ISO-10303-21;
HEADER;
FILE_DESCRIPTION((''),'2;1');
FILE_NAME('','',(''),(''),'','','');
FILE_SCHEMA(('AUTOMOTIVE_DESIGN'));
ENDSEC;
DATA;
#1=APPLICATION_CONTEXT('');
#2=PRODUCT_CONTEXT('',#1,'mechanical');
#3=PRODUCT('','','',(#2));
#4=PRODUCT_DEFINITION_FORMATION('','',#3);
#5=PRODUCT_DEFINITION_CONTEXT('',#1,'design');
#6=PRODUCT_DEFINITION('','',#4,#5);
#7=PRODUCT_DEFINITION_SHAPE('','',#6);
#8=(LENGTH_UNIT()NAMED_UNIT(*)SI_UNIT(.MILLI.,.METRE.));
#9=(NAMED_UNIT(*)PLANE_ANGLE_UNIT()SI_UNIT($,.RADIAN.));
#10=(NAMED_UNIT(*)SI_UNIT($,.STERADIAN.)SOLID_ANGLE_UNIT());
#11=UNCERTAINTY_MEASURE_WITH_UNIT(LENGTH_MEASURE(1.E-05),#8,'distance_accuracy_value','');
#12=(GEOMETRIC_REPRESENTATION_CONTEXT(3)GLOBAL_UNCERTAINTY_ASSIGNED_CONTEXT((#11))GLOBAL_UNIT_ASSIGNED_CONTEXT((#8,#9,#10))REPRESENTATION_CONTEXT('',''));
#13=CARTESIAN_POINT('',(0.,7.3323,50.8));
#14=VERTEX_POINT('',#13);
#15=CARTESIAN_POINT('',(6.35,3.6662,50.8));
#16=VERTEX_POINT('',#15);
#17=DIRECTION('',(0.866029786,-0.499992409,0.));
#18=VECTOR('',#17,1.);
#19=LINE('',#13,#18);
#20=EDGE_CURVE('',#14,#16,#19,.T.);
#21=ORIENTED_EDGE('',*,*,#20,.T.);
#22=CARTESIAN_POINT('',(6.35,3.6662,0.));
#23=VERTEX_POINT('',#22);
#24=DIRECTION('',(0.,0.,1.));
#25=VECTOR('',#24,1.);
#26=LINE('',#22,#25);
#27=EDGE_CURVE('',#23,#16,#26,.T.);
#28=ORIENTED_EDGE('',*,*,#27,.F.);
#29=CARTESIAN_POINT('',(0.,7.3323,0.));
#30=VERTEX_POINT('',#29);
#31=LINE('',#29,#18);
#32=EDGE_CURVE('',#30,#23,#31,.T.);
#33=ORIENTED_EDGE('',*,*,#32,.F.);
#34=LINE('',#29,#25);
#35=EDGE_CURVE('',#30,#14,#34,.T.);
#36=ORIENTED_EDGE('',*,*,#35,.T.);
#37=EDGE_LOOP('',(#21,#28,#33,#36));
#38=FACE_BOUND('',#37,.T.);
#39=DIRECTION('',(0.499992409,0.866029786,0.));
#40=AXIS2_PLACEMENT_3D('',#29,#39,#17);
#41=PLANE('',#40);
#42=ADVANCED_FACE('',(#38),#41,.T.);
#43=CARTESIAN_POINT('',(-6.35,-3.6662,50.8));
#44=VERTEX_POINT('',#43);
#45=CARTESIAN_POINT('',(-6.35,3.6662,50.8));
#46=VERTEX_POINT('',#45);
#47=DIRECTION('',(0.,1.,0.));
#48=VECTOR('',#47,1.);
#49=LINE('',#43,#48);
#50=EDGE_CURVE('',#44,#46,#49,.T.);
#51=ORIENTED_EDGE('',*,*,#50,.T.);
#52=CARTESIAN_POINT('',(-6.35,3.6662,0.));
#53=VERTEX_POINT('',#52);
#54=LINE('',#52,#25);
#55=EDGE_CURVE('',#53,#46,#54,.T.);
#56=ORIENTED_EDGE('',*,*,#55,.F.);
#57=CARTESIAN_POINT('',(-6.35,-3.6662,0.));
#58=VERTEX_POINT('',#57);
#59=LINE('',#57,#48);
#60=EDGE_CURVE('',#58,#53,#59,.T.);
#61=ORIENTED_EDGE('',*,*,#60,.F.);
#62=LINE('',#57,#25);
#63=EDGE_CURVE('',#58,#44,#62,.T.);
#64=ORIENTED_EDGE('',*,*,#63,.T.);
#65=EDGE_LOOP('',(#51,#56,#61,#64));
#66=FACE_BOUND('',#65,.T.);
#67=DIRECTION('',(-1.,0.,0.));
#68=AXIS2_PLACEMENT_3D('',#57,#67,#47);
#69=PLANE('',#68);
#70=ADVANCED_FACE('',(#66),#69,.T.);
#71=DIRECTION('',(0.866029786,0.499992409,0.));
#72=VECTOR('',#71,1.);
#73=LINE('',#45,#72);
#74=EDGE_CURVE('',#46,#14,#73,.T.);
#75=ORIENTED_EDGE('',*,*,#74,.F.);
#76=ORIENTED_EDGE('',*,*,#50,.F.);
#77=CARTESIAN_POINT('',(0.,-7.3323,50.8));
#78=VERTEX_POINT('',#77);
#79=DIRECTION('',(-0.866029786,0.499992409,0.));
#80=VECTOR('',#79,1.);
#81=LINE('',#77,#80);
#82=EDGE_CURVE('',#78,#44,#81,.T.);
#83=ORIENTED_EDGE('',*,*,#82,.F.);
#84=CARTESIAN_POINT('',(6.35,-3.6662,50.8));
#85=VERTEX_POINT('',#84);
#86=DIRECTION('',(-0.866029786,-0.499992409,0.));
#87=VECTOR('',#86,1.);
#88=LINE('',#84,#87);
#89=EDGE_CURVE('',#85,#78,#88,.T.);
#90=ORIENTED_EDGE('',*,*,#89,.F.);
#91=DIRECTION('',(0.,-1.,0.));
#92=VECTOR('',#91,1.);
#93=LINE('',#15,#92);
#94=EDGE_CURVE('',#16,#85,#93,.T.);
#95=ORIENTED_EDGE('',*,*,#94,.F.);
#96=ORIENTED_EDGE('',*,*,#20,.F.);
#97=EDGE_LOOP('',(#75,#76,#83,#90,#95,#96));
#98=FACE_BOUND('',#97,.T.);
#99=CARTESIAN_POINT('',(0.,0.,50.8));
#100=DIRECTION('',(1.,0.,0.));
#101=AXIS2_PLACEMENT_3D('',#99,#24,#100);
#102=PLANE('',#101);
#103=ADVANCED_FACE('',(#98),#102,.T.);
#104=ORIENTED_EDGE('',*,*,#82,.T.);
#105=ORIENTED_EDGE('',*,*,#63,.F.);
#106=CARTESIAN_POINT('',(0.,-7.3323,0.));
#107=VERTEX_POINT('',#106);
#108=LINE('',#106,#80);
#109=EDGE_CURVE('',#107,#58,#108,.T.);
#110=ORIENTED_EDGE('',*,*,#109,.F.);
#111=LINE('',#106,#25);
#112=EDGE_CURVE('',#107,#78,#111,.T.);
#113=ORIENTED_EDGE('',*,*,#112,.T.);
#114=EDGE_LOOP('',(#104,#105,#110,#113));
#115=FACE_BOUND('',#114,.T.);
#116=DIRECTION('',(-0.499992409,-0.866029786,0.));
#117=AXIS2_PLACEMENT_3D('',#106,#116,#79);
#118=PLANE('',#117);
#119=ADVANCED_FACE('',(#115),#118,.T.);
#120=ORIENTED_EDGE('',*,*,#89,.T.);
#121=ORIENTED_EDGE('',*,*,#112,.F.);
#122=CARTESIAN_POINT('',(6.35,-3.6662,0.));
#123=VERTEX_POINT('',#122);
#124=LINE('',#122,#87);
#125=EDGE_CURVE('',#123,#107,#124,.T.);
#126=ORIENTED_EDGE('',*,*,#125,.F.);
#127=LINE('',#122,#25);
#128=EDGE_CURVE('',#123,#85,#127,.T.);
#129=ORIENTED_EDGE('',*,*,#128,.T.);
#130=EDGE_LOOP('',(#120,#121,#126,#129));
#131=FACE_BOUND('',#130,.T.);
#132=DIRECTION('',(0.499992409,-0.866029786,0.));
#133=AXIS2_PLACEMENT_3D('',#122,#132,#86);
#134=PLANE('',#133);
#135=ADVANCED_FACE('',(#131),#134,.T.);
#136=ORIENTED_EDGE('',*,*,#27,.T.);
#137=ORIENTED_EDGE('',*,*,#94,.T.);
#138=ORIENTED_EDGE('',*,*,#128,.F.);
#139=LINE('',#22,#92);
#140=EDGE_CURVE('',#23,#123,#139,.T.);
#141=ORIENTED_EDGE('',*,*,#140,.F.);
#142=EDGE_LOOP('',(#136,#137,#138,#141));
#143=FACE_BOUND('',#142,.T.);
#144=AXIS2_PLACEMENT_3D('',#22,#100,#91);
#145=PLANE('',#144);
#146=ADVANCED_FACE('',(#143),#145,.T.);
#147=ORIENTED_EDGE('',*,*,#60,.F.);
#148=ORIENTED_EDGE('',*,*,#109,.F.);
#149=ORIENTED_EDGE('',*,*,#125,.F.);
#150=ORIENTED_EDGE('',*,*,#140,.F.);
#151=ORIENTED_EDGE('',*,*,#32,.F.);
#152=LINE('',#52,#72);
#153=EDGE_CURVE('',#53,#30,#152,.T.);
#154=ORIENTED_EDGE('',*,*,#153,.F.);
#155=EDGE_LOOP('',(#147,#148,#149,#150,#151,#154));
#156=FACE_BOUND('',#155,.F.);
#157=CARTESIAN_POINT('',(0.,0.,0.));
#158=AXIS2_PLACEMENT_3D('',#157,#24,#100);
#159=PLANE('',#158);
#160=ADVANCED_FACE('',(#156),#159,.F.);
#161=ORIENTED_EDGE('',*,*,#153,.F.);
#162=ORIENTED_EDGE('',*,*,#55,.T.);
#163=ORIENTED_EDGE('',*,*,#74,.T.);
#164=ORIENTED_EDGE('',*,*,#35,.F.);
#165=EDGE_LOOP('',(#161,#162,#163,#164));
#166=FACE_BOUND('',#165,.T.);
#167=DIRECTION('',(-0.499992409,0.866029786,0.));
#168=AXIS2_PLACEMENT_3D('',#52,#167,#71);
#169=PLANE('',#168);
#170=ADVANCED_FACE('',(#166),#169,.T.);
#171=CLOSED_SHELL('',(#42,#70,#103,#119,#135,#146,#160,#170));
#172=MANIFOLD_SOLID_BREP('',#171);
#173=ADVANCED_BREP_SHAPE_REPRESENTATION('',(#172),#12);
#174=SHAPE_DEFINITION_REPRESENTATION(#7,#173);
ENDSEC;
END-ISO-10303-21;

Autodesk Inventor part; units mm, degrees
ref_plane "YZ Plane" through (0, 0, 0) normal (1, 0, 0) x (0, 1, 0)
ref_plane "XZ Plane" through (0, 0, 0) normal (0, 1, 0) x (-1, 0, 0)
ref_plane "XY Plane" through (0, 0, 0) normal (0, 0, 1) x (1, 0, 0)
sketch "Sketch1" plane through (0, 0, 0) normal (0, 0, 1) x (1, 0, 0)
  line L0 (0, 7.3323) -> (6.35, 3.6662)
  line L1 (6.35, 3.6662) -> (6.35, -3.6662)
  line L2 (6.35, -3.6662) -> (0, -7.3323)
  line L3 (0, -7.3323) -> (-6.35, -3.6662)
  line L4 (-6.35, -3.6662) -> (-6.35, 3.6662)
  line L5 (-6.35, 3.6662) -> (0, 7.3323)
  point P0 (0, 0)
  point P1 (0, 0)
  dimension "d0" = 12.7
extrude "Extrusion1" add sketch "Sketch1" along normal blind 50.8
properties part number "hex 2"
